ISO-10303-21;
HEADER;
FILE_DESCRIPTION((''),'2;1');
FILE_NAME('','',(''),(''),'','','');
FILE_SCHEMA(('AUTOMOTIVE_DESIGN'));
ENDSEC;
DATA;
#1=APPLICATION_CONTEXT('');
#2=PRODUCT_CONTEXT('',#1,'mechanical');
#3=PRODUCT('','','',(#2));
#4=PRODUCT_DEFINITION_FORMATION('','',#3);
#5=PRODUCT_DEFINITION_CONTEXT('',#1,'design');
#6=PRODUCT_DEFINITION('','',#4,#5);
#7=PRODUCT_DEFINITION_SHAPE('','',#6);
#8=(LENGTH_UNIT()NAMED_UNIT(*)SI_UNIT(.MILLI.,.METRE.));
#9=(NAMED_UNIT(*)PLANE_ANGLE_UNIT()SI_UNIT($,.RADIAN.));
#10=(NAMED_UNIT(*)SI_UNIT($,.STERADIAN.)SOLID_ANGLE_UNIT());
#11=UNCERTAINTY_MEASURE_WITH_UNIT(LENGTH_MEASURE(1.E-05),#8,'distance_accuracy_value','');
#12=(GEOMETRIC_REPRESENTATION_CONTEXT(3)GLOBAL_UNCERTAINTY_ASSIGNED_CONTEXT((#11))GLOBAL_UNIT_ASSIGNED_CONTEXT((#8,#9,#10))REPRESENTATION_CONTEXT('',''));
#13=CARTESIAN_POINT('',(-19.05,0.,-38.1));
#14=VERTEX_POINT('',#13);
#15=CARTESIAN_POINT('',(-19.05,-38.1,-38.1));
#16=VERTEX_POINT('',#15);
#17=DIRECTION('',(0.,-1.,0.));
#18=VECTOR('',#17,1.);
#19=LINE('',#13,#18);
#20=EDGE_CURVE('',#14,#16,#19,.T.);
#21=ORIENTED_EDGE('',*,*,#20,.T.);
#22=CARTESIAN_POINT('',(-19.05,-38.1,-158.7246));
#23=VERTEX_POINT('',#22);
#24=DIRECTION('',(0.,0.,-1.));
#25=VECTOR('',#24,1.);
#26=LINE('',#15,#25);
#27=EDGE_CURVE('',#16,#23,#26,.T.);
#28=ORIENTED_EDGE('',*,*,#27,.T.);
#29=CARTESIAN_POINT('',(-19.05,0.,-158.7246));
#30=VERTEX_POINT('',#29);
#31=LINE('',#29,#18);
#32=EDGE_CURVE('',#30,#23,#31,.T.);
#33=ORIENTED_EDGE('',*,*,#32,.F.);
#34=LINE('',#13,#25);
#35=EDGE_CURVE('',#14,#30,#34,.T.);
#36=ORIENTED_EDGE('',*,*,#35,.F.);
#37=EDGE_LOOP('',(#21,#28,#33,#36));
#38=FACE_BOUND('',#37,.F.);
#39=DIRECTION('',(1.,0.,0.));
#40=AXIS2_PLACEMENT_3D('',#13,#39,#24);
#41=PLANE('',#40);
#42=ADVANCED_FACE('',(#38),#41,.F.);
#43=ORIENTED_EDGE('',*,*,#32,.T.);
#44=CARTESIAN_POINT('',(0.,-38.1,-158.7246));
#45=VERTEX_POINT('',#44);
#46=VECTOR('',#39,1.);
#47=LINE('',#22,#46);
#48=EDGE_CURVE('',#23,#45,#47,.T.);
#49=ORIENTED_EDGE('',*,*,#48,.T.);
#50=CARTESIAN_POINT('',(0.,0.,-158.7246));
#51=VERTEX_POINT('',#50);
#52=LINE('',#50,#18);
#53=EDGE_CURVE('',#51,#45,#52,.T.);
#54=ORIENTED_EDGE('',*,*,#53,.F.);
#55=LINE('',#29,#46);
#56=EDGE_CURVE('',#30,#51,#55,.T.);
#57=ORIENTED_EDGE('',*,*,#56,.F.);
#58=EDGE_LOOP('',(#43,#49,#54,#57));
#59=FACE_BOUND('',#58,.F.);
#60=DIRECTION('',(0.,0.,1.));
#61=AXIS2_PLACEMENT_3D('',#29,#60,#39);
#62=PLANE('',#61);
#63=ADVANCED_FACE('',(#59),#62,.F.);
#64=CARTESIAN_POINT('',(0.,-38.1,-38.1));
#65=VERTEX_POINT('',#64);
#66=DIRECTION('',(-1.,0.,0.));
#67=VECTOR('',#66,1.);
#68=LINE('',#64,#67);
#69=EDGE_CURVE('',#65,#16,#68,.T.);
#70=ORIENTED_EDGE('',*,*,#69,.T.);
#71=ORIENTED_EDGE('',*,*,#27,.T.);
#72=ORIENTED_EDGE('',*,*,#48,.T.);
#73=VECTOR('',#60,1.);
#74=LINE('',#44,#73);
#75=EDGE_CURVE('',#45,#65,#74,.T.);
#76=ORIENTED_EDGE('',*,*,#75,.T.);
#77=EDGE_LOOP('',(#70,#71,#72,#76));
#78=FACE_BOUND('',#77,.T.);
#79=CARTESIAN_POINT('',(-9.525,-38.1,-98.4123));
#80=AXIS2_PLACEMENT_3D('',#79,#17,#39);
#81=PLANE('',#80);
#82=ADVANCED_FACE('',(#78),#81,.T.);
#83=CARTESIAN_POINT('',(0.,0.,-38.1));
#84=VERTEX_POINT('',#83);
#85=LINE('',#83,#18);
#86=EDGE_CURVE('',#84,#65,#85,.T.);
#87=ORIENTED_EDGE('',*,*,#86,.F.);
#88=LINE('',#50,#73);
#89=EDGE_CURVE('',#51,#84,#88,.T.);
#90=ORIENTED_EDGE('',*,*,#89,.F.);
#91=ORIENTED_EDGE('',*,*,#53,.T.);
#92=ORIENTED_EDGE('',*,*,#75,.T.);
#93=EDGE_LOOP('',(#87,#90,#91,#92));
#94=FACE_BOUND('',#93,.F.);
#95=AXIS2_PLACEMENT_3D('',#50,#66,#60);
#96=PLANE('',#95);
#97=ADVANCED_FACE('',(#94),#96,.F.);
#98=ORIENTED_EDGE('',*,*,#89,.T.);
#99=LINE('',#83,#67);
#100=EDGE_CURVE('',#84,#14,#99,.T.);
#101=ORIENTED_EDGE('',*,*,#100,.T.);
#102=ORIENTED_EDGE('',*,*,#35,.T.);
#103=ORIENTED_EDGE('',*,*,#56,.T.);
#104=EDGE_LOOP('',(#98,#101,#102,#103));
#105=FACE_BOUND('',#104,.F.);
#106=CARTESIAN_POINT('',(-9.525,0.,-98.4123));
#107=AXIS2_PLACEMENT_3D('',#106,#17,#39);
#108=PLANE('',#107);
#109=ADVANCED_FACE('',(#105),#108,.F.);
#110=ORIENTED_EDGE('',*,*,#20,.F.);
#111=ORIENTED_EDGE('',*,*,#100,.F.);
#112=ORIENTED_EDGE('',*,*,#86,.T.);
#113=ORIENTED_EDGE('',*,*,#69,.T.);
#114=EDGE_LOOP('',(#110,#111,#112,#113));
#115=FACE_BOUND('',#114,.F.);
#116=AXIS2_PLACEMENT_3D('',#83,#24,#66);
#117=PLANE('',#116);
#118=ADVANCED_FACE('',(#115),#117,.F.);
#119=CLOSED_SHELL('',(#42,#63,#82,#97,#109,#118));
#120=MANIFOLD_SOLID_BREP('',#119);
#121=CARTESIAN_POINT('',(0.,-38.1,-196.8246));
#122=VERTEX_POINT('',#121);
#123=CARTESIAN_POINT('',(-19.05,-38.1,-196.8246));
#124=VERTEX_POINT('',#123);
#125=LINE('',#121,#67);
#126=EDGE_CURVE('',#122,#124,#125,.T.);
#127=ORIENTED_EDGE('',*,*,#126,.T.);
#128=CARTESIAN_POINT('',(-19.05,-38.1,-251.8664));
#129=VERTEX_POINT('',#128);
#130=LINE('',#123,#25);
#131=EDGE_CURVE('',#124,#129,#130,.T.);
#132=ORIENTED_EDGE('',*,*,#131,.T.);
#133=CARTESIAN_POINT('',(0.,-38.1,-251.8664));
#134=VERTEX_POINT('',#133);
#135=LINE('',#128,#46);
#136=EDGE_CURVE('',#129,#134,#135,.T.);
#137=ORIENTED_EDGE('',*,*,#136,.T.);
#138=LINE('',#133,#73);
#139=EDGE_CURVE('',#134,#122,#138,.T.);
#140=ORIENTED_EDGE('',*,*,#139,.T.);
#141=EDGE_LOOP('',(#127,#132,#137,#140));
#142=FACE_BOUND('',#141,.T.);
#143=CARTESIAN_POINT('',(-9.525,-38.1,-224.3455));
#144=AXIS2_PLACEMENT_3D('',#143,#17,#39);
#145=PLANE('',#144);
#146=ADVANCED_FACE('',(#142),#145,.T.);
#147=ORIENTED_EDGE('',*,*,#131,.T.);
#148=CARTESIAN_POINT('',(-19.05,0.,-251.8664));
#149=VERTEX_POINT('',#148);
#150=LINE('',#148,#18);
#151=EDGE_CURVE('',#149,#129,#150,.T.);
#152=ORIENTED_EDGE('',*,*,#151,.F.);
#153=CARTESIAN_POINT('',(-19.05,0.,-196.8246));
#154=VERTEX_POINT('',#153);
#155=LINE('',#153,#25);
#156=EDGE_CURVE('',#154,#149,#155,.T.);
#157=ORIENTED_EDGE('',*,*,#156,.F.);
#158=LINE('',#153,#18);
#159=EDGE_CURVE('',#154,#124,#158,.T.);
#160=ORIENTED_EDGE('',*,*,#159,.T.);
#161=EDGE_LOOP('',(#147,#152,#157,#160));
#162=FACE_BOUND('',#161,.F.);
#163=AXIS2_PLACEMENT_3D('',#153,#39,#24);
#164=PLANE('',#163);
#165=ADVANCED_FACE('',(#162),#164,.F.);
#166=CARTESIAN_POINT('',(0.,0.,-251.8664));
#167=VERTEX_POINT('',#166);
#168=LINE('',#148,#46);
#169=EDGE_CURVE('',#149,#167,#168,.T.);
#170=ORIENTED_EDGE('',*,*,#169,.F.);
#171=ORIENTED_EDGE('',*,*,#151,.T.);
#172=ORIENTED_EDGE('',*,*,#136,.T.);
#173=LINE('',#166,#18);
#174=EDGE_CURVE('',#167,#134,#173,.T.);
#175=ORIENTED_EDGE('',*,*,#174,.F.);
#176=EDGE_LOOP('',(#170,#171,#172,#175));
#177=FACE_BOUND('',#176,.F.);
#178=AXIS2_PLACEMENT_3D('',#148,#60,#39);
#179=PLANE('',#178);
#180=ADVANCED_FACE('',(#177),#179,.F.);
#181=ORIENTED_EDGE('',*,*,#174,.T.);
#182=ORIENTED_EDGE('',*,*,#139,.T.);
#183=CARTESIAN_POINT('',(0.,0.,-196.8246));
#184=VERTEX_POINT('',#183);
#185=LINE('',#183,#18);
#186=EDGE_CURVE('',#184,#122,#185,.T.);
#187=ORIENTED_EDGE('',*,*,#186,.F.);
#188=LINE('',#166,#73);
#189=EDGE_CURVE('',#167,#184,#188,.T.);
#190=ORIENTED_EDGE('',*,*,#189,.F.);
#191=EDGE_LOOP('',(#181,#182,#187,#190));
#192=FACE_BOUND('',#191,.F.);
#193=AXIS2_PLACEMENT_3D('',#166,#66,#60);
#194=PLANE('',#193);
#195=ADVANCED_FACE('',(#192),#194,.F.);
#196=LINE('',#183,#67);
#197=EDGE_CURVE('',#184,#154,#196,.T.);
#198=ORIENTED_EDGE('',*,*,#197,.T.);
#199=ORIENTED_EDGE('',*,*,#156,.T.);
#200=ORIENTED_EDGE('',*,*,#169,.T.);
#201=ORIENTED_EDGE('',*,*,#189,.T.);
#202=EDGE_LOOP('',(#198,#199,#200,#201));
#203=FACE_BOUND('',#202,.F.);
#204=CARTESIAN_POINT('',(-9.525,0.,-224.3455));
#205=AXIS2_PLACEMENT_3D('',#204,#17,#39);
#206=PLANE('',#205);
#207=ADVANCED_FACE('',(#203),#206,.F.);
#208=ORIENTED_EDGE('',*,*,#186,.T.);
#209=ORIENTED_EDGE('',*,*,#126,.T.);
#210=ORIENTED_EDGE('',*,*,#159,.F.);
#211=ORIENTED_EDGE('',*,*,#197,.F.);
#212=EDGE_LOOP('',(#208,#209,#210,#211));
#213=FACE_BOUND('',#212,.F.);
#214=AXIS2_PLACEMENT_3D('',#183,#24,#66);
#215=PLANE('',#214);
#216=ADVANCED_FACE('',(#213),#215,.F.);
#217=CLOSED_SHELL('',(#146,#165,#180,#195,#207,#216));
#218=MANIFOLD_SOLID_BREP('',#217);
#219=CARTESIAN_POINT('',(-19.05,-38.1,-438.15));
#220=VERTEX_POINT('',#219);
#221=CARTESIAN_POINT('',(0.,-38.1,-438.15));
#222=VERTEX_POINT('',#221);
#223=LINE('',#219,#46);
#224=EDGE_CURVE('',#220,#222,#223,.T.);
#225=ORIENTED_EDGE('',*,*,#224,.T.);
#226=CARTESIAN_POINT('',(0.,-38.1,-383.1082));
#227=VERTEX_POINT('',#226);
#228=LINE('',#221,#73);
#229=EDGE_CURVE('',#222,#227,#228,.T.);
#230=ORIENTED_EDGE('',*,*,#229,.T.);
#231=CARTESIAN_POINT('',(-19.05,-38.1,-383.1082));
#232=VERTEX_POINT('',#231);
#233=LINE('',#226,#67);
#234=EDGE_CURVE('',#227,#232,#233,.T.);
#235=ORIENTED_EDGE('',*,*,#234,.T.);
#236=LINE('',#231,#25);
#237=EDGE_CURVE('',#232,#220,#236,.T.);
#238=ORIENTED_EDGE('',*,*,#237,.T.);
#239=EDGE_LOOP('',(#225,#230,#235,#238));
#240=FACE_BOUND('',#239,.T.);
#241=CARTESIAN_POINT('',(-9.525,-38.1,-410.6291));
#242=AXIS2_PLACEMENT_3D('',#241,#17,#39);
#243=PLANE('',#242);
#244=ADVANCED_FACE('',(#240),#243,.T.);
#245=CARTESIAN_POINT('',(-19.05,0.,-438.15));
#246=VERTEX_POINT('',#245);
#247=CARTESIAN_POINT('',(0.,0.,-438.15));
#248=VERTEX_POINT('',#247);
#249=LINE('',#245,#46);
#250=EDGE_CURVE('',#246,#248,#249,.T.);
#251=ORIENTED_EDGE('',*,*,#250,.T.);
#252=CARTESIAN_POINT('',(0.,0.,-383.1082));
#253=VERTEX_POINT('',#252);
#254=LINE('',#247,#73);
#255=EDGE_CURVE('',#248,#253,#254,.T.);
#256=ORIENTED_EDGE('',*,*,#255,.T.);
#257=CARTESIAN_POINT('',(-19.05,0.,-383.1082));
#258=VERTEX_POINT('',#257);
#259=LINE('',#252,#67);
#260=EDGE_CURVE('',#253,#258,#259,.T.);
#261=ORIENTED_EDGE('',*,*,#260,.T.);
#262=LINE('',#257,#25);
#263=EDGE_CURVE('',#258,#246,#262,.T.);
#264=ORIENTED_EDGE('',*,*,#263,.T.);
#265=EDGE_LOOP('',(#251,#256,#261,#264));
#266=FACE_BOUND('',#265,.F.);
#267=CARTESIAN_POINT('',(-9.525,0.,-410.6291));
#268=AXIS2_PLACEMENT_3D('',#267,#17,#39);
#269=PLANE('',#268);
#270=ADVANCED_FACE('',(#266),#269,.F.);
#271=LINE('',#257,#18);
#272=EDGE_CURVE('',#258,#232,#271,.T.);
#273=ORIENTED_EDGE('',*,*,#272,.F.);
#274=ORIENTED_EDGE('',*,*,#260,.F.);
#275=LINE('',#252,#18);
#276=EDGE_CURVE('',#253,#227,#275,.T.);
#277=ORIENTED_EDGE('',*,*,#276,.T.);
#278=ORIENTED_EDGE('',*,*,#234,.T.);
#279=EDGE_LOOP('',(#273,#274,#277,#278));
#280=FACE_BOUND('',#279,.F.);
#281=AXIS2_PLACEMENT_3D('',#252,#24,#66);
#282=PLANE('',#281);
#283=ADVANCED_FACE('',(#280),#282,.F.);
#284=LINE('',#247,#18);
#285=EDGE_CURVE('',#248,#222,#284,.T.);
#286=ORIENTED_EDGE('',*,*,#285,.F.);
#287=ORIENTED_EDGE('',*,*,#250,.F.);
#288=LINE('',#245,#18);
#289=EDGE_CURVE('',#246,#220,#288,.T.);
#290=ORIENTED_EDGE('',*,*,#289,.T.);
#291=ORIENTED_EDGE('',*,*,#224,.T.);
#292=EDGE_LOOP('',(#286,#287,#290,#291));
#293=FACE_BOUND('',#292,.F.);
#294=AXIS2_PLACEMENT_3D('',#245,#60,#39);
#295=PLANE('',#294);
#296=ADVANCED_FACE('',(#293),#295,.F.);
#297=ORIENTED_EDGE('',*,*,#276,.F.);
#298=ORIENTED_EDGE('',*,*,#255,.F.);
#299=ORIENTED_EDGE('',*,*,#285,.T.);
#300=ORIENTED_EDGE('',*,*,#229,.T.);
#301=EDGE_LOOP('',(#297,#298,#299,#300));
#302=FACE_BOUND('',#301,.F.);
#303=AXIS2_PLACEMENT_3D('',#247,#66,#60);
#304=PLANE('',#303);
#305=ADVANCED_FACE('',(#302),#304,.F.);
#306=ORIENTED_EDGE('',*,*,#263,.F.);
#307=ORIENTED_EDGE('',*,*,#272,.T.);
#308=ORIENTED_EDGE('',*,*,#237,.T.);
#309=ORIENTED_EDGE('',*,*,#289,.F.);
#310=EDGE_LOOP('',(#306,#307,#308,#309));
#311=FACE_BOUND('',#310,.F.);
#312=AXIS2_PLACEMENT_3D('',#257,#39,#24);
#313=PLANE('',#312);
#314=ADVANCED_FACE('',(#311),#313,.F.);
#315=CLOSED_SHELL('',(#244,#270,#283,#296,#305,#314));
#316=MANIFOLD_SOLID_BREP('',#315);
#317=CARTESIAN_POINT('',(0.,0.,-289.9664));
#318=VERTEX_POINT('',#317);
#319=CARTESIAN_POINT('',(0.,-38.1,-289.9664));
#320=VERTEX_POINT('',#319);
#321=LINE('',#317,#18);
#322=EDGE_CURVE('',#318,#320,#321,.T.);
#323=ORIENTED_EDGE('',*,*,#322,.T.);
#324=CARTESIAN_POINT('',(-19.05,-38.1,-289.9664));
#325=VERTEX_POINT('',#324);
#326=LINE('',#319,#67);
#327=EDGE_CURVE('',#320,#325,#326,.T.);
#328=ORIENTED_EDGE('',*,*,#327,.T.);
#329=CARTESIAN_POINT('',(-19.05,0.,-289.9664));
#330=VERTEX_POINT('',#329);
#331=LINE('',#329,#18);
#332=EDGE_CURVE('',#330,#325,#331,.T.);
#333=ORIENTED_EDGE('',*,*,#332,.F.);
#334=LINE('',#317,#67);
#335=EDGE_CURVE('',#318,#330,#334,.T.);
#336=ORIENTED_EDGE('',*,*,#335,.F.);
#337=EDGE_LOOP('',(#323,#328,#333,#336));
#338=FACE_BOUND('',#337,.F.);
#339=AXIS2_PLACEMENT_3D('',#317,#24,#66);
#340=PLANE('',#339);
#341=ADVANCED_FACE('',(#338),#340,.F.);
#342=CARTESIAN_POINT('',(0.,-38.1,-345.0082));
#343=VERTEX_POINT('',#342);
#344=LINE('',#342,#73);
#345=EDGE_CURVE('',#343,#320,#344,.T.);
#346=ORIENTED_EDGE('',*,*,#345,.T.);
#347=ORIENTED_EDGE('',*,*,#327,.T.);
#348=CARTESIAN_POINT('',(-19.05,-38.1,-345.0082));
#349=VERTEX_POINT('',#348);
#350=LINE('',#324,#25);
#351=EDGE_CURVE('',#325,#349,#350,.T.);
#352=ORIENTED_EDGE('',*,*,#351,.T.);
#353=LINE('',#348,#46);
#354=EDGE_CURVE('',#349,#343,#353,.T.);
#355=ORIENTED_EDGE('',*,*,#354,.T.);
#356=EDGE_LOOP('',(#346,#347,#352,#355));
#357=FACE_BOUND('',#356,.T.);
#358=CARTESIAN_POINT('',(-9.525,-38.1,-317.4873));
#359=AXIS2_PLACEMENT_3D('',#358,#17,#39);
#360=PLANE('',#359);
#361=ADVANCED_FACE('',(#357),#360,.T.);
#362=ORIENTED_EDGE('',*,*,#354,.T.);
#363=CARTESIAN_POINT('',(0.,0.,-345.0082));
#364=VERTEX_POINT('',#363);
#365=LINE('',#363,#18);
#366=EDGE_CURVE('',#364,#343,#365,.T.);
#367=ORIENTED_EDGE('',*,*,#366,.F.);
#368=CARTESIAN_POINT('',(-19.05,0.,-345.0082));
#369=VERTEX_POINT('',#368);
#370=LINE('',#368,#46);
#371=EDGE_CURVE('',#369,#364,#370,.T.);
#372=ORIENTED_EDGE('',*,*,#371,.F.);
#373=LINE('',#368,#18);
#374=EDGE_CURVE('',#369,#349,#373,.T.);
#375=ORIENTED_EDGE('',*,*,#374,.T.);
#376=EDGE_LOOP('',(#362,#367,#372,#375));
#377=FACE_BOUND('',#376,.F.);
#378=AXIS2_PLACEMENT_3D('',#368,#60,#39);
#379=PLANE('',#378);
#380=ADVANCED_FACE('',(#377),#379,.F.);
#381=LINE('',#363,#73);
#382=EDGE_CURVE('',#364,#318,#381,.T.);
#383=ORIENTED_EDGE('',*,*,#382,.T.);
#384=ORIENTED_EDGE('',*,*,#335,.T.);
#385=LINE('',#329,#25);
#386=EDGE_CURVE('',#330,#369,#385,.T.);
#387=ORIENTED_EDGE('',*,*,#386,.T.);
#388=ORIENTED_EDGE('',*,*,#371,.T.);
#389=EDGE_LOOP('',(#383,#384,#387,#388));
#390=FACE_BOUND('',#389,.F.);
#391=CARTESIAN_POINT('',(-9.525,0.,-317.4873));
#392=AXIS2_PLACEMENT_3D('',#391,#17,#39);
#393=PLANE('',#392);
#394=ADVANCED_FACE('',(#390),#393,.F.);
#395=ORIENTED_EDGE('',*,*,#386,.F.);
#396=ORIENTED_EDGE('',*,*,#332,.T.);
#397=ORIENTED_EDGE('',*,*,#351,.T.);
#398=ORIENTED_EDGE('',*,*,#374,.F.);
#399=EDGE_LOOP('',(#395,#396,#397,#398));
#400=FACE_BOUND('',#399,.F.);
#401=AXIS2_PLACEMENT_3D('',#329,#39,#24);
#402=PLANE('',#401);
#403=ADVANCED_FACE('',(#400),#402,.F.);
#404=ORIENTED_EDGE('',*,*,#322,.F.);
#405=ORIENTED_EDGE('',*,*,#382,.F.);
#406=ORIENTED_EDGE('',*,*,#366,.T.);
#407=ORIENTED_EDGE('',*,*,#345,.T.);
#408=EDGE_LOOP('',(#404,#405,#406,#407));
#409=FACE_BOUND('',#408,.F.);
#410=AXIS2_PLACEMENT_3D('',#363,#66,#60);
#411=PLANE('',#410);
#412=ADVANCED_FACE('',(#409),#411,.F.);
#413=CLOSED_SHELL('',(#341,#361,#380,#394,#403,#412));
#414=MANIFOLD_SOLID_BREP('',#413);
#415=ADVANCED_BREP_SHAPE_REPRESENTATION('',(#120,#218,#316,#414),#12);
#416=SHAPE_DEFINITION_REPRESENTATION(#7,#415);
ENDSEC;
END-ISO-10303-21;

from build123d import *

# Parameters (mm, degrees)
F1_DEPTH = 38.1


with BuildPart() as f1:
    # F0 (on Front) → F1 (new body)
    with BuildSketch(Plane.XZ):
        Polygon((0, -158.7246), (0, -38.1), (-9.525, -38.1), (-19.05, -38.1), (-19.05, -158.7246), (-9.525, -158.7246), align=None)
        Polygon((0, -251.8664), (0, -196.8246), (-9.525, -196.8246), (-19.05, -196.8246), (-19.05, -251.8664), (-9.525, -251.8664), align=None)
        Polygon((0, -345.0082), (0, -289.9664), (-9.525, -289.9664), (-19.05, -289.9664), (-19.05, -345.0082), (-9.525, -345.0082), align=None)
        Polygon((0, -438.15), (0, -383.1082), (-9.525, -383.1082), (-19.05, -383.1082), (-19.05, -438.15), (-9.525, -438.15), align=None)
    extrude(amount=F1_DEPTH)


solid = f1.part
